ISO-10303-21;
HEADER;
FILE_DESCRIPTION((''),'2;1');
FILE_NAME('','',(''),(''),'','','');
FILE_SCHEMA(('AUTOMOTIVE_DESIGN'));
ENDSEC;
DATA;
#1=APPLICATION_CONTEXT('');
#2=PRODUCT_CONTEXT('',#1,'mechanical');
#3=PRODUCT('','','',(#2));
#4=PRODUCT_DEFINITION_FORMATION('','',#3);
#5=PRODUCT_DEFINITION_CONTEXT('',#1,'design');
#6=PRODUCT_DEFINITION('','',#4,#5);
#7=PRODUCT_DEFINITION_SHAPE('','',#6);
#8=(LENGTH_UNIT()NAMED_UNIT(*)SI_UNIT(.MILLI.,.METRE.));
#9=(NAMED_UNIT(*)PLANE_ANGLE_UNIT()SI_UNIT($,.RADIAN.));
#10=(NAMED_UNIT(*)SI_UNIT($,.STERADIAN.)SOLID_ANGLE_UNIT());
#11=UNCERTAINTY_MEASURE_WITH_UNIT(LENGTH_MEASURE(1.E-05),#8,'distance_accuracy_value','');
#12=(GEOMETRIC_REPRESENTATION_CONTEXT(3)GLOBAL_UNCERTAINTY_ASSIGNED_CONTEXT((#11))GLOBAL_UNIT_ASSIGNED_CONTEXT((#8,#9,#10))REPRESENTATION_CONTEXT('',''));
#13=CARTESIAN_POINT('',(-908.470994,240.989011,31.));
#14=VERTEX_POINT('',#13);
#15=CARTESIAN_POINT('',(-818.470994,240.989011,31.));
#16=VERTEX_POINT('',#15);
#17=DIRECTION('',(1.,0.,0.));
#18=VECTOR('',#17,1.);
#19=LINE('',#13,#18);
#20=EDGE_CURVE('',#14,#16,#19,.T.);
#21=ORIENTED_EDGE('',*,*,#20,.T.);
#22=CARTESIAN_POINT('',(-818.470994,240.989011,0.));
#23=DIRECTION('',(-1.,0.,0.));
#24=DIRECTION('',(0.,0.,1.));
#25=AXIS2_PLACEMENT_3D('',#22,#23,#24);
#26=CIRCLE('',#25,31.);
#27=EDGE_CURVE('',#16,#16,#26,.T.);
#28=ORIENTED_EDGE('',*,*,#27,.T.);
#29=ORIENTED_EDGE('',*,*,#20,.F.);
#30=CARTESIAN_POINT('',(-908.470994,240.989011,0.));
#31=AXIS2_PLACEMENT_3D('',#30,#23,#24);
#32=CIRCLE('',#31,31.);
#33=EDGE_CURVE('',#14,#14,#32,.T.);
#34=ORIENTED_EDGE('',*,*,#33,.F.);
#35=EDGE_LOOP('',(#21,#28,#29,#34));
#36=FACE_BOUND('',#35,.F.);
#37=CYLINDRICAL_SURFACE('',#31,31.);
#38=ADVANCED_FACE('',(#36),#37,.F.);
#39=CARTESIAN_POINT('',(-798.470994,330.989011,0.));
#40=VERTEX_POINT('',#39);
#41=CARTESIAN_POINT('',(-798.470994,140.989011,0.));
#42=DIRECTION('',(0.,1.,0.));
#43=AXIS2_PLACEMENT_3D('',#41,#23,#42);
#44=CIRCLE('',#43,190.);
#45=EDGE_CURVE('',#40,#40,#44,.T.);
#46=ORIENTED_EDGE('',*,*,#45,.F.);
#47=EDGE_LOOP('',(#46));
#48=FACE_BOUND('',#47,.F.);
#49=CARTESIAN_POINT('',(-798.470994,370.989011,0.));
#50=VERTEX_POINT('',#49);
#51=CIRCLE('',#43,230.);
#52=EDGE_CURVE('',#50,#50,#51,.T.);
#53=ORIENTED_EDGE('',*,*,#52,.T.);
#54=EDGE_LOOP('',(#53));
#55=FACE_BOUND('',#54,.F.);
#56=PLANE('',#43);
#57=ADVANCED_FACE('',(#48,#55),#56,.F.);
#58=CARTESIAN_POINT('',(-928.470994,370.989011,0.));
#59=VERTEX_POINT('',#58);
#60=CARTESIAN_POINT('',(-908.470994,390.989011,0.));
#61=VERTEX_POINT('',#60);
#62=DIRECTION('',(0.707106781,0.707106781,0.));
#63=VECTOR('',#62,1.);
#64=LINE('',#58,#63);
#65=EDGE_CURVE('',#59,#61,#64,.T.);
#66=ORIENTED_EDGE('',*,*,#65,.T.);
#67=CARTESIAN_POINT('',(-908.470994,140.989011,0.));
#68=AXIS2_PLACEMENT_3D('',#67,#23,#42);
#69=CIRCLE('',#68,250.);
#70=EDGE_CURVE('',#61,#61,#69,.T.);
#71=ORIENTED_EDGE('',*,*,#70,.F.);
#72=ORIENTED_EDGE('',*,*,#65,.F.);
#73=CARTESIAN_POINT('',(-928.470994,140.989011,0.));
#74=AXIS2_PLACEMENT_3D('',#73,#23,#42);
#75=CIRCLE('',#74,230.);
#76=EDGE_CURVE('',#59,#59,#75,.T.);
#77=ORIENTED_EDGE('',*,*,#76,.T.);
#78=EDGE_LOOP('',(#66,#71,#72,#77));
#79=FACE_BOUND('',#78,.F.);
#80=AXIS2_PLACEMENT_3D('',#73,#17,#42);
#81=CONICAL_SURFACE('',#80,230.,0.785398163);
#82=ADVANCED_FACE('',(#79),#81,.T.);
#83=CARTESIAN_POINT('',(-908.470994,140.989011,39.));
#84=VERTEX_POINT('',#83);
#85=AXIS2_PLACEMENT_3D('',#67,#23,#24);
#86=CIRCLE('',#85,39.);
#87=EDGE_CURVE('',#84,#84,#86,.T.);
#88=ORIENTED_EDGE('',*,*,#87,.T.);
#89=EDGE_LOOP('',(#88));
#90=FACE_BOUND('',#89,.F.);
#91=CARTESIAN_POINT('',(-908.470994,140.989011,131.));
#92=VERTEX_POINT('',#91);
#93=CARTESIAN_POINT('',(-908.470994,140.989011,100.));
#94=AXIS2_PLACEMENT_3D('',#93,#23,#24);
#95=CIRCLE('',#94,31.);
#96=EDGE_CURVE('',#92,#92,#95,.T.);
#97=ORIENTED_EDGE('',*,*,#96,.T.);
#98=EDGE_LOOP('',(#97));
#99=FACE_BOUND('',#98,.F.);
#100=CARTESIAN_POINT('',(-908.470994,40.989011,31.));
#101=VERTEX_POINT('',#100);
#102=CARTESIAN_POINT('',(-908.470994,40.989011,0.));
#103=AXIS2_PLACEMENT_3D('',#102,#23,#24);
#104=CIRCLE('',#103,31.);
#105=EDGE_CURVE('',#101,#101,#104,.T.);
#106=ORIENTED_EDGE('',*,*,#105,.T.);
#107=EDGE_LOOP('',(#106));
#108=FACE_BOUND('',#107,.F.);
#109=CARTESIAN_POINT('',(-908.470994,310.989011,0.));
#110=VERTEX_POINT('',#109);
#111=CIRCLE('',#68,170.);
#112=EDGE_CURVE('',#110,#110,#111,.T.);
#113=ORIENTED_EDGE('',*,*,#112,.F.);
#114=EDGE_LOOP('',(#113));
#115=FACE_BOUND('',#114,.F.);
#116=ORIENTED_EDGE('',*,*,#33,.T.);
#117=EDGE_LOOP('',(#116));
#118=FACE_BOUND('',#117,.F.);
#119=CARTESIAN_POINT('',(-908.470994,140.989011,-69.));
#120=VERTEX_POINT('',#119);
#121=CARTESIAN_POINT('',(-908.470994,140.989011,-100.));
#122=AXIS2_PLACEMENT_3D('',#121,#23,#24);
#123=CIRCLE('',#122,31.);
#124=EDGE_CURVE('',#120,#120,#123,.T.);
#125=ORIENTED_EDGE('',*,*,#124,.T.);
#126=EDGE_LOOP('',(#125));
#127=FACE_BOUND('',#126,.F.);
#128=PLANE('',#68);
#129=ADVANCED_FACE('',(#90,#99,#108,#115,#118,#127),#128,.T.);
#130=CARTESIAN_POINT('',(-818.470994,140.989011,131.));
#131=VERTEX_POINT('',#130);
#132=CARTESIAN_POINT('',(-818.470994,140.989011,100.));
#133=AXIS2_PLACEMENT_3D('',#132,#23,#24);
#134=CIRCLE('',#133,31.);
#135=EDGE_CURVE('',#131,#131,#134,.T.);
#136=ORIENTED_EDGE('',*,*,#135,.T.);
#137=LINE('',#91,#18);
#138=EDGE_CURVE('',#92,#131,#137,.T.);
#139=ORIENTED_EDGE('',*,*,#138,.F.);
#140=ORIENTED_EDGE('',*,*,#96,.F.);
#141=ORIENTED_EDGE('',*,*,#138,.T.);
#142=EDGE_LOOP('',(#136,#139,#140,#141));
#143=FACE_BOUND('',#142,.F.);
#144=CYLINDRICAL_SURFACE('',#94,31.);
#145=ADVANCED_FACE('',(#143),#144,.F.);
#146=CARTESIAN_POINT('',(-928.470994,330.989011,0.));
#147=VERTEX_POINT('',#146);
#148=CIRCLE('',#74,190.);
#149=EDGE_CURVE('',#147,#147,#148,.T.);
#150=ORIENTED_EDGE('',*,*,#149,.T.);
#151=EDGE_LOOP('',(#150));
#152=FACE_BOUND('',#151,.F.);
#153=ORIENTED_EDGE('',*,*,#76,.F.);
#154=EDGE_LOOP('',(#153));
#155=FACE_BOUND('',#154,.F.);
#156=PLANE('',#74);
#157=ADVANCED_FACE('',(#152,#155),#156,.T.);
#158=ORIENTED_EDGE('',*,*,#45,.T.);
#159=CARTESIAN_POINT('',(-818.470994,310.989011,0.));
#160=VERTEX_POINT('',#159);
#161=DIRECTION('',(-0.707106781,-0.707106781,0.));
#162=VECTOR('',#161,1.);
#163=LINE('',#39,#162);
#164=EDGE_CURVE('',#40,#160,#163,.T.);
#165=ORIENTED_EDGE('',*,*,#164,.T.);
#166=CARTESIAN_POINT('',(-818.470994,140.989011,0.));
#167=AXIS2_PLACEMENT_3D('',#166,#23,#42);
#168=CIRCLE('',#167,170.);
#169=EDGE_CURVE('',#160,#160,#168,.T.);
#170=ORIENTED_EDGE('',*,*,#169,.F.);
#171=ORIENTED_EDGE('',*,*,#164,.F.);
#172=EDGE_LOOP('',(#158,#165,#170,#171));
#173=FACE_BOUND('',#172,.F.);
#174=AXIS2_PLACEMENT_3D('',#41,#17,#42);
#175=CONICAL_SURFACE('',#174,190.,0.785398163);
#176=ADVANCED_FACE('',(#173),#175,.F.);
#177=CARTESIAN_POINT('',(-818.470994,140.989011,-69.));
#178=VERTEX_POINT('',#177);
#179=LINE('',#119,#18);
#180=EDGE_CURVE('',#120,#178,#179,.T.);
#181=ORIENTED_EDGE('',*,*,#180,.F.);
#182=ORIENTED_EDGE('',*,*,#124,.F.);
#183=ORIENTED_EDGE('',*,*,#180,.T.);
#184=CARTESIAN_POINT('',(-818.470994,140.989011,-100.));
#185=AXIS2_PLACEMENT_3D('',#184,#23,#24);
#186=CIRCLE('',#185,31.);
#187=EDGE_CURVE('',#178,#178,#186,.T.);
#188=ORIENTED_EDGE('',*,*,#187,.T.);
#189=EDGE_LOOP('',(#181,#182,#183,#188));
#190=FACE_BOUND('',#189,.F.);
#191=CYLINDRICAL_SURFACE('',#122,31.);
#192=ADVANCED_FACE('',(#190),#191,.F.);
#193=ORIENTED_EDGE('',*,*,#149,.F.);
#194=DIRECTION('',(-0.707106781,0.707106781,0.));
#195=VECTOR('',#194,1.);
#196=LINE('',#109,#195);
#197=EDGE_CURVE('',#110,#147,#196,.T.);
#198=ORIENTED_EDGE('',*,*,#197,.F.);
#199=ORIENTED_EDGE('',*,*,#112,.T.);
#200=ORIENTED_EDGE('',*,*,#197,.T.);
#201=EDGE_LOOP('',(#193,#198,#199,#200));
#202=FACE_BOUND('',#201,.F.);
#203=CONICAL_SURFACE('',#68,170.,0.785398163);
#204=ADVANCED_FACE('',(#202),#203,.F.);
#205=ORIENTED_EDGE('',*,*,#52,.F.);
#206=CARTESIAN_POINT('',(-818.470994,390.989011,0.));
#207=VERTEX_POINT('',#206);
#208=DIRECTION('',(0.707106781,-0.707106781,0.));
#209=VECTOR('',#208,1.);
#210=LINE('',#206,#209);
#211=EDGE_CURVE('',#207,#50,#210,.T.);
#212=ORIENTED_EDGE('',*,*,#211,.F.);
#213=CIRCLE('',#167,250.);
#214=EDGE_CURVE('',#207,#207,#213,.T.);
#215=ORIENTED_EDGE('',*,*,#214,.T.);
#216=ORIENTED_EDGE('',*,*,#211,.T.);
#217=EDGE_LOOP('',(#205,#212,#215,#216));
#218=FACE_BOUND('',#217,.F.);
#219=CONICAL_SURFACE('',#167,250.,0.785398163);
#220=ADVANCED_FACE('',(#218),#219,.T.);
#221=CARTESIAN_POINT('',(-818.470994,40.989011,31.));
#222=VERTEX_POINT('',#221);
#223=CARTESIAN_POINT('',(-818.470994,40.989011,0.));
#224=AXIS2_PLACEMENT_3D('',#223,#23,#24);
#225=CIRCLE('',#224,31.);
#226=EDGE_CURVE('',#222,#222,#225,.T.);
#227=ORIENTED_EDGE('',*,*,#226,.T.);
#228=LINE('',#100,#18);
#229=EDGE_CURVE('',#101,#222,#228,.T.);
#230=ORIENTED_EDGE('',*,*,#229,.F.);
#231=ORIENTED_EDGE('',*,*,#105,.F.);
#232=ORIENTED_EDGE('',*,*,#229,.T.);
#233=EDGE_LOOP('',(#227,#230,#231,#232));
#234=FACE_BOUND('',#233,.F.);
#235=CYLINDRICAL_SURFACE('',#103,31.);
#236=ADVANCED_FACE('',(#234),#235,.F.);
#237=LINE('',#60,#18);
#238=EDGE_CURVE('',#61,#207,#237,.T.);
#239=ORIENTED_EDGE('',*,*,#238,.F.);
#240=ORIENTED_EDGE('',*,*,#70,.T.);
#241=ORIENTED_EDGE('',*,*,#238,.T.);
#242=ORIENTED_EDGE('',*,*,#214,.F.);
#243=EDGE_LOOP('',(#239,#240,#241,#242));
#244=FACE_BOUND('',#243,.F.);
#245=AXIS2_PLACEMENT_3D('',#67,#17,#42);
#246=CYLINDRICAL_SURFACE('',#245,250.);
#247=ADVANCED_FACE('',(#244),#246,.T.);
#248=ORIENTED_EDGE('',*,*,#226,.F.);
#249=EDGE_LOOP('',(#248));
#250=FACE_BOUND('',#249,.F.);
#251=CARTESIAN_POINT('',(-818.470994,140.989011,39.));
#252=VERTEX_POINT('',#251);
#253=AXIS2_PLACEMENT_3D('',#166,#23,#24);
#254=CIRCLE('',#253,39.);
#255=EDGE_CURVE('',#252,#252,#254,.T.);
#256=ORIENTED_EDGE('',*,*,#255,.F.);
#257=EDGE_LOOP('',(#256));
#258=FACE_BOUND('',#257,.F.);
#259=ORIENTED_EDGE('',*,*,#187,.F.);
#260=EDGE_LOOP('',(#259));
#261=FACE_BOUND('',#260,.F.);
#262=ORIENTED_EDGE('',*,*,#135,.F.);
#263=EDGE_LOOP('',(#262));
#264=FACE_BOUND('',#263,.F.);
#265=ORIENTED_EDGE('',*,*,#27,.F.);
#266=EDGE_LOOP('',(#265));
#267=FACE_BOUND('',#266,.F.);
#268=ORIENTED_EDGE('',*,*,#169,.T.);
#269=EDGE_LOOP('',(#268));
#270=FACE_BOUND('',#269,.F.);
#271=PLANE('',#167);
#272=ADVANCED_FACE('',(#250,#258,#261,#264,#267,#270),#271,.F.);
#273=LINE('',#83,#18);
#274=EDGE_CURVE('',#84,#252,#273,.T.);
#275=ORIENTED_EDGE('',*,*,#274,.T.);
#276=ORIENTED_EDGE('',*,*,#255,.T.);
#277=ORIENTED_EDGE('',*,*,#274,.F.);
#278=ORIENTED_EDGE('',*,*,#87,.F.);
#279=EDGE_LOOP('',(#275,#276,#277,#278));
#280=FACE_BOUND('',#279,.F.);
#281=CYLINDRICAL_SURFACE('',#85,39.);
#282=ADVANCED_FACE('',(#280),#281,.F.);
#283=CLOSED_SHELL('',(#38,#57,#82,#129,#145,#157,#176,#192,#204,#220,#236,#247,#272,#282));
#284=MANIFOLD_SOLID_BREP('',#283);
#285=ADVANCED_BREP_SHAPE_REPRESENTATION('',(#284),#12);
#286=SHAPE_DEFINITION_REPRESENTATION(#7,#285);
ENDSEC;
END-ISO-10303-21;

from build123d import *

# Parameters (mm, degrees)
IZIM3_R               = 39
IZIM3_R_2             = 31
KES_EKSTR_ZYON1_DEPTH = 111


with BuildPart() as part:
    # Çizim2 → Döndür1 (revolve)
    with BuildSketch(Plane.XY):
        Polygon((-818.470993896, 390.989010989), (-798.470993896, 370.989010989), (-798.470993896, 330.989010989), (-818.470993896, 310.989010989), (-818.470993896, 140.989010989), (-908.470993896, 140.989010989), (-908.470993896, 310.989010989), (-928.470993896, 330.989010989), (-928.470993896, 370.989010989), (-908.470993896, 390.989010989), align=None)
    revolve(axis=Axis((-690.973356144, 140.989010989, 0), (-1, 0, 0)))

    # Çizim3 → Kes-Ekstrüzyon1 (cut, through all)
    with BuildSketch(Plane.ZY.offset(908.470993896)):
        with Locations((0, 140.989010989)):
            Circle(IZIM3_R)
        with Locations((-100, 140.989010989)):
            Circle(IZIM3_R_2)
        with Locations((0, 240.989010989)):
            Circle(IZIM3_R_2)
        with Locations((100, 140.989010989)):
            Circle(IZIM3_R_2)
        with Locations((0, 40.989010989)):
            Circle(IZIM3_R_2)
    extrude(amount=-KES_EKSTR_ZYON1_DEPTH, mode=Mode.SUBTRACT)


solid = part.part
